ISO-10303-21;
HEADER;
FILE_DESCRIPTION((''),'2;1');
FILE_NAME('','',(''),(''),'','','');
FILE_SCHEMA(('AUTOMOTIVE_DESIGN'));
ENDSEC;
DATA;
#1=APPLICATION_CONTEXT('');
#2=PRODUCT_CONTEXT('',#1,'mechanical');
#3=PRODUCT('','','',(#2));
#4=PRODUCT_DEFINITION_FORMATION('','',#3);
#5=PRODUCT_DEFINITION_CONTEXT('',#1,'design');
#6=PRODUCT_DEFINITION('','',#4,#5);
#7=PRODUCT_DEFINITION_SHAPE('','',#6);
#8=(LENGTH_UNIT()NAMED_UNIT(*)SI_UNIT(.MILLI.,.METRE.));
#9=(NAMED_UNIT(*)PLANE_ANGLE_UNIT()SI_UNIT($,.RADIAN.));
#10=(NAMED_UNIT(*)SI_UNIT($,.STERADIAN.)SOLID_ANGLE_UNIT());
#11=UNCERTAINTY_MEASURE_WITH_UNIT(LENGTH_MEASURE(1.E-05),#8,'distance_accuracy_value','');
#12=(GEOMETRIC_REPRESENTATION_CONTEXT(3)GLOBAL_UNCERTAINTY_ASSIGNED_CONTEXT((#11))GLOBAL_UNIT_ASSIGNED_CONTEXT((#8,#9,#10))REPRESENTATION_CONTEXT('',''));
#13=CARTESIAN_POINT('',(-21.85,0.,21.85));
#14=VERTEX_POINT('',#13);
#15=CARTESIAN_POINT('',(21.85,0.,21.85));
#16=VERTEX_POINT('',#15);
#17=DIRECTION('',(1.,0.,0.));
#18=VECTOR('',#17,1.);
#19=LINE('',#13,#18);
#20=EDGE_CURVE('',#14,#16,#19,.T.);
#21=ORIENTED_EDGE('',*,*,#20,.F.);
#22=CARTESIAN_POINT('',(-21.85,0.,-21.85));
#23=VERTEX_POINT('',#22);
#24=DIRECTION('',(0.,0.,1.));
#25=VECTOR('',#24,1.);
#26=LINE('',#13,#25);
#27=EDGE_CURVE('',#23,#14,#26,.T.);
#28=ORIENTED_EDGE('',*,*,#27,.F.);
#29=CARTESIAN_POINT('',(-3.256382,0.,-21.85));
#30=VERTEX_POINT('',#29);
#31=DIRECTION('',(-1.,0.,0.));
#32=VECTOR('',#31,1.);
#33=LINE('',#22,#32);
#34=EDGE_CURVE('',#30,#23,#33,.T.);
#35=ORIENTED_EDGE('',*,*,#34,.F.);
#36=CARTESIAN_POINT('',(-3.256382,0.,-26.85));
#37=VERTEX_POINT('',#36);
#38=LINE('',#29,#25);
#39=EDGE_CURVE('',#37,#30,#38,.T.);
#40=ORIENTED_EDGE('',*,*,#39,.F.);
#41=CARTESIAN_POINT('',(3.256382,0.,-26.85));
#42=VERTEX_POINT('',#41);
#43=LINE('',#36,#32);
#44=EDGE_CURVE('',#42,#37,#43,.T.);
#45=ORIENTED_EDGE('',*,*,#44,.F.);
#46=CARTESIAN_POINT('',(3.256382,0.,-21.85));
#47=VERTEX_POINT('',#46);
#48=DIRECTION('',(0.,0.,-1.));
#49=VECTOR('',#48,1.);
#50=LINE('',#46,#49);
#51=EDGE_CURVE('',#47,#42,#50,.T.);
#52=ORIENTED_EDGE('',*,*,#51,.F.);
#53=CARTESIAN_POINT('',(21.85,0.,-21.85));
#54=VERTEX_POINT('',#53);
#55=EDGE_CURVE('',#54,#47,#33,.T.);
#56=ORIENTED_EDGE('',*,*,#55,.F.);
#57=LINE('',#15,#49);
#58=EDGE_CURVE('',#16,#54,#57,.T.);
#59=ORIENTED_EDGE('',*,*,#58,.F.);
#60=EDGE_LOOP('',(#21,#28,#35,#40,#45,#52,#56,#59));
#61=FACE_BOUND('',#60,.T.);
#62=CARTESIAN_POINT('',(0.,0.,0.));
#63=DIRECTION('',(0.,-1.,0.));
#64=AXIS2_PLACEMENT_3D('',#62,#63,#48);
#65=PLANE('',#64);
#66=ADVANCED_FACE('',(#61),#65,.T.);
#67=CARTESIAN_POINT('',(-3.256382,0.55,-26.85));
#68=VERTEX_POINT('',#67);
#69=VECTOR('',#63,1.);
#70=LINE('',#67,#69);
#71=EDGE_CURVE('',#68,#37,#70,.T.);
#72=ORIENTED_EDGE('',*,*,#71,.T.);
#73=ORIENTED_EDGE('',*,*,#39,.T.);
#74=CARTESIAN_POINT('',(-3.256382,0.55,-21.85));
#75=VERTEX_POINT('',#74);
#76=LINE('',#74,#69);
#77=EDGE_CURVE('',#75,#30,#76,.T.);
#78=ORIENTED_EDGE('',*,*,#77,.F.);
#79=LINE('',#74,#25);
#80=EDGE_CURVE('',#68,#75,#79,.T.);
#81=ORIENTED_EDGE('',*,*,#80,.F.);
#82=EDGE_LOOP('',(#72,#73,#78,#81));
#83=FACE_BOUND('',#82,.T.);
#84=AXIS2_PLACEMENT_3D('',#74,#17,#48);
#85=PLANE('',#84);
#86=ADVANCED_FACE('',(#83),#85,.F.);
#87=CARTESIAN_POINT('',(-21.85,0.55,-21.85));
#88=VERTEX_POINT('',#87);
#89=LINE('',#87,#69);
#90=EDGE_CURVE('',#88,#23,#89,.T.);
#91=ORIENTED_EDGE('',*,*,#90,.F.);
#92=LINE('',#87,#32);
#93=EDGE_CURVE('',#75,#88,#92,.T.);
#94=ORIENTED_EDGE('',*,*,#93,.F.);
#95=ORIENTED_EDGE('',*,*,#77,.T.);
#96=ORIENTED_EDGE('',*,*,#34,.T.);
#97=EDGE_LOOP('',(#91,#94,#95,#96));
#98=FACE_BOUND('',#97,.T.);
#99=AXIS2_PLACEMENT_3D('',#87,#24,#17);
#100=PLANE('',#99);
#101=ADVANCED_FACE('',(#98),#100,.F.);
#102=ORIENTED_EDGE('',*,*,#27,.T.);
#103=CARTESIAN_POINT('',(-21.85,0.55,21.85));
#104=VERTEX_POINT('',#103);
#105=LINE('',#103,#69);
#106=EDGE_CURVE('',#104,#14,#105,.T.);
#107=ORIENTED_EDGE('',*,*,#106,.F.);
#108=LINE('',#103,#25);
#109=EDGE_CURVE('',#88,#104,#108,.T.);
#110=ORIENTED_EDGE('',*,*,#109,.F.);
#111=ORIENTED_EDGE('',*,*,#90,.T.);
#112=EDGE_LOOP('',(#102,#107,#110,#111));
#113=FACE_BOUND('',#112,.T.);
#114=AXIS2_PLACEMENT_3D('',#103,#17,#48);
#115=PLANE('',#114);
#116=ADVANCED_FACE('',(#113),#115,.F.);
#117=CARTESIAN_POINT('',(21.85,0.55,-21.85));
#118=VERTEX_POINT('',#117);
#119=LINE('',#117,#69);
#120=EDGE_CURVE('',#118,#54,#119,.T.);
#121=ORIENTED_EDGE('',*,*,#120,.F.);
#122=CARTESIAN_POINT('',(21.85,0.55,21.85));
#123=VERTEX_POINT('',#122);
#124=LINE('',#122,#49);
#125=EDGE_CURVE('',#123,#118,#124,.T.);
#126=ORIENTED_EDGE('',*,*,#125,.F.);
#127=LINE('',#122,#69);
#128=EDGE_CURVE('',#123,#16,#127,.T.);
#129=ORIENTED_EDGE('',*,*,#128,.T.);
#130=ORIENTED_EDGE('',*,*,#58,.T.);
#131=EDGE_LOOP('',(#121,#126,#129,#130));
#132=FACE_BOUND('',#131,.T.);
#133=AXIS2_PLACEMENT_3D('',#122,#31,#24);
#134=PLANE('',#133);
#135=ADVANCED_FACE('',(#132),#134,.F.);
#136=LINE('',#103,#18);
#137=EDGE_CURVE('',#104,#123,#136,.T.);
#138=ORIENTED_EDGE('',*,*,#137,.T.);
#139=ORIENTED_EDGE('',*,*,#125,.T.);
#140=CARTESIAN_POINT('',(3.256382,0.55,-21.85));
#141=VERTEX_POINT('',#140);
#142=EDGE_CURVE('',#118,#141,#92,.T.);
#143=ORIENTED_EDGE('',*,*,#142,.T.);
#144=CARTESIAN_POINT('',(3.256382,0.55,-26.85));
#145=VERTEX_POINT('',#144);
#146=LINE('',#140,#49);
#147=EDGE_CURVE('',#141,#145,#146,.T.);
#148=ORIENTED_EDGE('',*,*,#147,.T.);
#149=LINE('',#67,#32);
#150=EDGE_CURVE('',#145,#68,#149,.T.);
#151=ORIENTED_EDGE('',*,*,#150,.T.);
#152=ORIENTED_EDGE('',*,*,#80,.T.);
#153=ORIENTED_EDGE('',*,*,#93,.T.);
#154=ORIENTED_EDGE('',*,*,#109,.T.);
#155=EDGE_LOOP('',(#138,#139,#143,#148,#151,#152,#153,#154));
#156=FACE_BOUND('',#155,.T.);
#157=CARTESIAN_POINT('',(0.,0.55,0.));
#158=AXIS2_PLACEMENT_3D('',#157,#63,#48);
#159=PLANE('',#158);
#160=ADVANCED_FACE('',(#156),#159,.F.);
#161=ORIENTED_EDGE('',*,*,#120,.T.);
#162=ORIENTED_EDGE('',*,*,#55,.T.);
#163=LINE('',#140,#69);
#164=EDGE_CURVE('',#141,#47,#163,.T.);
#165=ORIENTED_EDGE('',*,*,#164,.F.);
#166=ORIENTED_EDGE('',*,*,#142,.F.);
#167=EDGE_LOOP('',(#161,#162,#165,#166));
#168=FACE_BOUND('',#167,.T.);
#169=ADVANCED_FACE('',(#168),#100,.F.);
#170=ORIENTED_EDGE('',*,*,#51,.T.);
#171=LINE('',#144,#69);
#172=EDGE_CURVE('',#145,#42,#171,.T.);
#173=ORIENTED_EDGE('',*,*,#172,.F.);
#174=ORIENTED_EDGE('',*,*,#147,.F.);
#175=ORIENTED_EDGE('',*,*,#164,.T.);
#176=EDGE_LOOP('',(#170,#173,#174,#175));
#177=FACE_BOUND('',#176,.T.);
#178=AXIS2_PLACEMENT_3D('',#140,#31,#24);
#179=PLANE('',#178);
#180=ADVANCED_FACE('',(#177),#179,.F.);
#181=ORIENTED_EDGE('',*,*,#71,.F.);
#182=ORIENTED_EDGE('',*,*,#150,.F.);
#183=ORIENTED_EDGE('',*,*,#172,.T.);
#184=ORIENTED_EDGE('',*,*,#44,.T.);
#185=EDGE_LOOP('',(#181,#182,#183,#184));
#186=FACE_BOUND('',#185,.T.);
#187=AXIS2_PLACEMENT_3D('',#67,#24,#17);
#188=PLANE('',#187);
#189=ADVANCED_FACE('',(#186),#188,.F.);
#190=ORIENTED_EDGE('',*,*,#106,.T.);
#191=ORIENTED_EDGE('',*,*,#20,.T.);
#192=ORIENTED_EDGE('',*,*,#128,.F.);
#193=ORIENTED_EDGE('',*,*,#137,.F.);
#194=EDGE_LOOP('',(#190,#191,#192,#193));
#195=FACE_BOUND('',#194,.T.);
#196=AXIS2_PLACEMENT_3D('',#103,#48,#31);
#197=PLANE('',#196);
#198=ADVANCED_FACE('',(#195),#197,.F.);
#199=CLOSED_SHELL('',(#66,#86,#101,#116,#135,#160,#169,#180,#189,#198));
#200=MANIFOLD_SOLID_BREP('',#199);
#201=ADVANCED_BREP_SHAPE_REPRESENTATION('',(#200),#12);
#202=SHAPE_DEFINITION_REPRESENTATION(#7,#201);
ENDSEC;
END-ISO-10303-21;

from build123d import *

# Parameters (mm, degrees)
SKETCH1_W           = 43.7
SKETCH1_H           = 43.7
BOSS_EXTRUDE1_DEPTH = 0.55
SKETCH2_W           = 6.512763492
SKETCH2_H           = 5
BOSS_EXTRUDE2_DEPTH = 0.55


with BuildPart() as part:
    # Sketch1 → Boss-Extrude1 (new body)
    with BuildSketch(Plane(origin=(0, 0, 0), x_dir=(1, 0, 0), z_dir=(0, 1, 0))):
        Rectangle(SKETCH1_W, SKETCH1_H)
    extrude(amount=BOSS_EXTRUDE1_DEPTH)

    # Sketch2 → Boss-Extrude2 (add)
    with BuildSketch(Plane(origin=(0, 0, 0), x_dir=(1, 0, 0), z_dir=(0, 1, 0))):
        with Locations((0, 24.35)):
            Rectangle(SKETCH2_W, SKETCH2_H)
    extrude(amount=BOSS_EXTRUDE2_DEPTH)


solid = part.part
